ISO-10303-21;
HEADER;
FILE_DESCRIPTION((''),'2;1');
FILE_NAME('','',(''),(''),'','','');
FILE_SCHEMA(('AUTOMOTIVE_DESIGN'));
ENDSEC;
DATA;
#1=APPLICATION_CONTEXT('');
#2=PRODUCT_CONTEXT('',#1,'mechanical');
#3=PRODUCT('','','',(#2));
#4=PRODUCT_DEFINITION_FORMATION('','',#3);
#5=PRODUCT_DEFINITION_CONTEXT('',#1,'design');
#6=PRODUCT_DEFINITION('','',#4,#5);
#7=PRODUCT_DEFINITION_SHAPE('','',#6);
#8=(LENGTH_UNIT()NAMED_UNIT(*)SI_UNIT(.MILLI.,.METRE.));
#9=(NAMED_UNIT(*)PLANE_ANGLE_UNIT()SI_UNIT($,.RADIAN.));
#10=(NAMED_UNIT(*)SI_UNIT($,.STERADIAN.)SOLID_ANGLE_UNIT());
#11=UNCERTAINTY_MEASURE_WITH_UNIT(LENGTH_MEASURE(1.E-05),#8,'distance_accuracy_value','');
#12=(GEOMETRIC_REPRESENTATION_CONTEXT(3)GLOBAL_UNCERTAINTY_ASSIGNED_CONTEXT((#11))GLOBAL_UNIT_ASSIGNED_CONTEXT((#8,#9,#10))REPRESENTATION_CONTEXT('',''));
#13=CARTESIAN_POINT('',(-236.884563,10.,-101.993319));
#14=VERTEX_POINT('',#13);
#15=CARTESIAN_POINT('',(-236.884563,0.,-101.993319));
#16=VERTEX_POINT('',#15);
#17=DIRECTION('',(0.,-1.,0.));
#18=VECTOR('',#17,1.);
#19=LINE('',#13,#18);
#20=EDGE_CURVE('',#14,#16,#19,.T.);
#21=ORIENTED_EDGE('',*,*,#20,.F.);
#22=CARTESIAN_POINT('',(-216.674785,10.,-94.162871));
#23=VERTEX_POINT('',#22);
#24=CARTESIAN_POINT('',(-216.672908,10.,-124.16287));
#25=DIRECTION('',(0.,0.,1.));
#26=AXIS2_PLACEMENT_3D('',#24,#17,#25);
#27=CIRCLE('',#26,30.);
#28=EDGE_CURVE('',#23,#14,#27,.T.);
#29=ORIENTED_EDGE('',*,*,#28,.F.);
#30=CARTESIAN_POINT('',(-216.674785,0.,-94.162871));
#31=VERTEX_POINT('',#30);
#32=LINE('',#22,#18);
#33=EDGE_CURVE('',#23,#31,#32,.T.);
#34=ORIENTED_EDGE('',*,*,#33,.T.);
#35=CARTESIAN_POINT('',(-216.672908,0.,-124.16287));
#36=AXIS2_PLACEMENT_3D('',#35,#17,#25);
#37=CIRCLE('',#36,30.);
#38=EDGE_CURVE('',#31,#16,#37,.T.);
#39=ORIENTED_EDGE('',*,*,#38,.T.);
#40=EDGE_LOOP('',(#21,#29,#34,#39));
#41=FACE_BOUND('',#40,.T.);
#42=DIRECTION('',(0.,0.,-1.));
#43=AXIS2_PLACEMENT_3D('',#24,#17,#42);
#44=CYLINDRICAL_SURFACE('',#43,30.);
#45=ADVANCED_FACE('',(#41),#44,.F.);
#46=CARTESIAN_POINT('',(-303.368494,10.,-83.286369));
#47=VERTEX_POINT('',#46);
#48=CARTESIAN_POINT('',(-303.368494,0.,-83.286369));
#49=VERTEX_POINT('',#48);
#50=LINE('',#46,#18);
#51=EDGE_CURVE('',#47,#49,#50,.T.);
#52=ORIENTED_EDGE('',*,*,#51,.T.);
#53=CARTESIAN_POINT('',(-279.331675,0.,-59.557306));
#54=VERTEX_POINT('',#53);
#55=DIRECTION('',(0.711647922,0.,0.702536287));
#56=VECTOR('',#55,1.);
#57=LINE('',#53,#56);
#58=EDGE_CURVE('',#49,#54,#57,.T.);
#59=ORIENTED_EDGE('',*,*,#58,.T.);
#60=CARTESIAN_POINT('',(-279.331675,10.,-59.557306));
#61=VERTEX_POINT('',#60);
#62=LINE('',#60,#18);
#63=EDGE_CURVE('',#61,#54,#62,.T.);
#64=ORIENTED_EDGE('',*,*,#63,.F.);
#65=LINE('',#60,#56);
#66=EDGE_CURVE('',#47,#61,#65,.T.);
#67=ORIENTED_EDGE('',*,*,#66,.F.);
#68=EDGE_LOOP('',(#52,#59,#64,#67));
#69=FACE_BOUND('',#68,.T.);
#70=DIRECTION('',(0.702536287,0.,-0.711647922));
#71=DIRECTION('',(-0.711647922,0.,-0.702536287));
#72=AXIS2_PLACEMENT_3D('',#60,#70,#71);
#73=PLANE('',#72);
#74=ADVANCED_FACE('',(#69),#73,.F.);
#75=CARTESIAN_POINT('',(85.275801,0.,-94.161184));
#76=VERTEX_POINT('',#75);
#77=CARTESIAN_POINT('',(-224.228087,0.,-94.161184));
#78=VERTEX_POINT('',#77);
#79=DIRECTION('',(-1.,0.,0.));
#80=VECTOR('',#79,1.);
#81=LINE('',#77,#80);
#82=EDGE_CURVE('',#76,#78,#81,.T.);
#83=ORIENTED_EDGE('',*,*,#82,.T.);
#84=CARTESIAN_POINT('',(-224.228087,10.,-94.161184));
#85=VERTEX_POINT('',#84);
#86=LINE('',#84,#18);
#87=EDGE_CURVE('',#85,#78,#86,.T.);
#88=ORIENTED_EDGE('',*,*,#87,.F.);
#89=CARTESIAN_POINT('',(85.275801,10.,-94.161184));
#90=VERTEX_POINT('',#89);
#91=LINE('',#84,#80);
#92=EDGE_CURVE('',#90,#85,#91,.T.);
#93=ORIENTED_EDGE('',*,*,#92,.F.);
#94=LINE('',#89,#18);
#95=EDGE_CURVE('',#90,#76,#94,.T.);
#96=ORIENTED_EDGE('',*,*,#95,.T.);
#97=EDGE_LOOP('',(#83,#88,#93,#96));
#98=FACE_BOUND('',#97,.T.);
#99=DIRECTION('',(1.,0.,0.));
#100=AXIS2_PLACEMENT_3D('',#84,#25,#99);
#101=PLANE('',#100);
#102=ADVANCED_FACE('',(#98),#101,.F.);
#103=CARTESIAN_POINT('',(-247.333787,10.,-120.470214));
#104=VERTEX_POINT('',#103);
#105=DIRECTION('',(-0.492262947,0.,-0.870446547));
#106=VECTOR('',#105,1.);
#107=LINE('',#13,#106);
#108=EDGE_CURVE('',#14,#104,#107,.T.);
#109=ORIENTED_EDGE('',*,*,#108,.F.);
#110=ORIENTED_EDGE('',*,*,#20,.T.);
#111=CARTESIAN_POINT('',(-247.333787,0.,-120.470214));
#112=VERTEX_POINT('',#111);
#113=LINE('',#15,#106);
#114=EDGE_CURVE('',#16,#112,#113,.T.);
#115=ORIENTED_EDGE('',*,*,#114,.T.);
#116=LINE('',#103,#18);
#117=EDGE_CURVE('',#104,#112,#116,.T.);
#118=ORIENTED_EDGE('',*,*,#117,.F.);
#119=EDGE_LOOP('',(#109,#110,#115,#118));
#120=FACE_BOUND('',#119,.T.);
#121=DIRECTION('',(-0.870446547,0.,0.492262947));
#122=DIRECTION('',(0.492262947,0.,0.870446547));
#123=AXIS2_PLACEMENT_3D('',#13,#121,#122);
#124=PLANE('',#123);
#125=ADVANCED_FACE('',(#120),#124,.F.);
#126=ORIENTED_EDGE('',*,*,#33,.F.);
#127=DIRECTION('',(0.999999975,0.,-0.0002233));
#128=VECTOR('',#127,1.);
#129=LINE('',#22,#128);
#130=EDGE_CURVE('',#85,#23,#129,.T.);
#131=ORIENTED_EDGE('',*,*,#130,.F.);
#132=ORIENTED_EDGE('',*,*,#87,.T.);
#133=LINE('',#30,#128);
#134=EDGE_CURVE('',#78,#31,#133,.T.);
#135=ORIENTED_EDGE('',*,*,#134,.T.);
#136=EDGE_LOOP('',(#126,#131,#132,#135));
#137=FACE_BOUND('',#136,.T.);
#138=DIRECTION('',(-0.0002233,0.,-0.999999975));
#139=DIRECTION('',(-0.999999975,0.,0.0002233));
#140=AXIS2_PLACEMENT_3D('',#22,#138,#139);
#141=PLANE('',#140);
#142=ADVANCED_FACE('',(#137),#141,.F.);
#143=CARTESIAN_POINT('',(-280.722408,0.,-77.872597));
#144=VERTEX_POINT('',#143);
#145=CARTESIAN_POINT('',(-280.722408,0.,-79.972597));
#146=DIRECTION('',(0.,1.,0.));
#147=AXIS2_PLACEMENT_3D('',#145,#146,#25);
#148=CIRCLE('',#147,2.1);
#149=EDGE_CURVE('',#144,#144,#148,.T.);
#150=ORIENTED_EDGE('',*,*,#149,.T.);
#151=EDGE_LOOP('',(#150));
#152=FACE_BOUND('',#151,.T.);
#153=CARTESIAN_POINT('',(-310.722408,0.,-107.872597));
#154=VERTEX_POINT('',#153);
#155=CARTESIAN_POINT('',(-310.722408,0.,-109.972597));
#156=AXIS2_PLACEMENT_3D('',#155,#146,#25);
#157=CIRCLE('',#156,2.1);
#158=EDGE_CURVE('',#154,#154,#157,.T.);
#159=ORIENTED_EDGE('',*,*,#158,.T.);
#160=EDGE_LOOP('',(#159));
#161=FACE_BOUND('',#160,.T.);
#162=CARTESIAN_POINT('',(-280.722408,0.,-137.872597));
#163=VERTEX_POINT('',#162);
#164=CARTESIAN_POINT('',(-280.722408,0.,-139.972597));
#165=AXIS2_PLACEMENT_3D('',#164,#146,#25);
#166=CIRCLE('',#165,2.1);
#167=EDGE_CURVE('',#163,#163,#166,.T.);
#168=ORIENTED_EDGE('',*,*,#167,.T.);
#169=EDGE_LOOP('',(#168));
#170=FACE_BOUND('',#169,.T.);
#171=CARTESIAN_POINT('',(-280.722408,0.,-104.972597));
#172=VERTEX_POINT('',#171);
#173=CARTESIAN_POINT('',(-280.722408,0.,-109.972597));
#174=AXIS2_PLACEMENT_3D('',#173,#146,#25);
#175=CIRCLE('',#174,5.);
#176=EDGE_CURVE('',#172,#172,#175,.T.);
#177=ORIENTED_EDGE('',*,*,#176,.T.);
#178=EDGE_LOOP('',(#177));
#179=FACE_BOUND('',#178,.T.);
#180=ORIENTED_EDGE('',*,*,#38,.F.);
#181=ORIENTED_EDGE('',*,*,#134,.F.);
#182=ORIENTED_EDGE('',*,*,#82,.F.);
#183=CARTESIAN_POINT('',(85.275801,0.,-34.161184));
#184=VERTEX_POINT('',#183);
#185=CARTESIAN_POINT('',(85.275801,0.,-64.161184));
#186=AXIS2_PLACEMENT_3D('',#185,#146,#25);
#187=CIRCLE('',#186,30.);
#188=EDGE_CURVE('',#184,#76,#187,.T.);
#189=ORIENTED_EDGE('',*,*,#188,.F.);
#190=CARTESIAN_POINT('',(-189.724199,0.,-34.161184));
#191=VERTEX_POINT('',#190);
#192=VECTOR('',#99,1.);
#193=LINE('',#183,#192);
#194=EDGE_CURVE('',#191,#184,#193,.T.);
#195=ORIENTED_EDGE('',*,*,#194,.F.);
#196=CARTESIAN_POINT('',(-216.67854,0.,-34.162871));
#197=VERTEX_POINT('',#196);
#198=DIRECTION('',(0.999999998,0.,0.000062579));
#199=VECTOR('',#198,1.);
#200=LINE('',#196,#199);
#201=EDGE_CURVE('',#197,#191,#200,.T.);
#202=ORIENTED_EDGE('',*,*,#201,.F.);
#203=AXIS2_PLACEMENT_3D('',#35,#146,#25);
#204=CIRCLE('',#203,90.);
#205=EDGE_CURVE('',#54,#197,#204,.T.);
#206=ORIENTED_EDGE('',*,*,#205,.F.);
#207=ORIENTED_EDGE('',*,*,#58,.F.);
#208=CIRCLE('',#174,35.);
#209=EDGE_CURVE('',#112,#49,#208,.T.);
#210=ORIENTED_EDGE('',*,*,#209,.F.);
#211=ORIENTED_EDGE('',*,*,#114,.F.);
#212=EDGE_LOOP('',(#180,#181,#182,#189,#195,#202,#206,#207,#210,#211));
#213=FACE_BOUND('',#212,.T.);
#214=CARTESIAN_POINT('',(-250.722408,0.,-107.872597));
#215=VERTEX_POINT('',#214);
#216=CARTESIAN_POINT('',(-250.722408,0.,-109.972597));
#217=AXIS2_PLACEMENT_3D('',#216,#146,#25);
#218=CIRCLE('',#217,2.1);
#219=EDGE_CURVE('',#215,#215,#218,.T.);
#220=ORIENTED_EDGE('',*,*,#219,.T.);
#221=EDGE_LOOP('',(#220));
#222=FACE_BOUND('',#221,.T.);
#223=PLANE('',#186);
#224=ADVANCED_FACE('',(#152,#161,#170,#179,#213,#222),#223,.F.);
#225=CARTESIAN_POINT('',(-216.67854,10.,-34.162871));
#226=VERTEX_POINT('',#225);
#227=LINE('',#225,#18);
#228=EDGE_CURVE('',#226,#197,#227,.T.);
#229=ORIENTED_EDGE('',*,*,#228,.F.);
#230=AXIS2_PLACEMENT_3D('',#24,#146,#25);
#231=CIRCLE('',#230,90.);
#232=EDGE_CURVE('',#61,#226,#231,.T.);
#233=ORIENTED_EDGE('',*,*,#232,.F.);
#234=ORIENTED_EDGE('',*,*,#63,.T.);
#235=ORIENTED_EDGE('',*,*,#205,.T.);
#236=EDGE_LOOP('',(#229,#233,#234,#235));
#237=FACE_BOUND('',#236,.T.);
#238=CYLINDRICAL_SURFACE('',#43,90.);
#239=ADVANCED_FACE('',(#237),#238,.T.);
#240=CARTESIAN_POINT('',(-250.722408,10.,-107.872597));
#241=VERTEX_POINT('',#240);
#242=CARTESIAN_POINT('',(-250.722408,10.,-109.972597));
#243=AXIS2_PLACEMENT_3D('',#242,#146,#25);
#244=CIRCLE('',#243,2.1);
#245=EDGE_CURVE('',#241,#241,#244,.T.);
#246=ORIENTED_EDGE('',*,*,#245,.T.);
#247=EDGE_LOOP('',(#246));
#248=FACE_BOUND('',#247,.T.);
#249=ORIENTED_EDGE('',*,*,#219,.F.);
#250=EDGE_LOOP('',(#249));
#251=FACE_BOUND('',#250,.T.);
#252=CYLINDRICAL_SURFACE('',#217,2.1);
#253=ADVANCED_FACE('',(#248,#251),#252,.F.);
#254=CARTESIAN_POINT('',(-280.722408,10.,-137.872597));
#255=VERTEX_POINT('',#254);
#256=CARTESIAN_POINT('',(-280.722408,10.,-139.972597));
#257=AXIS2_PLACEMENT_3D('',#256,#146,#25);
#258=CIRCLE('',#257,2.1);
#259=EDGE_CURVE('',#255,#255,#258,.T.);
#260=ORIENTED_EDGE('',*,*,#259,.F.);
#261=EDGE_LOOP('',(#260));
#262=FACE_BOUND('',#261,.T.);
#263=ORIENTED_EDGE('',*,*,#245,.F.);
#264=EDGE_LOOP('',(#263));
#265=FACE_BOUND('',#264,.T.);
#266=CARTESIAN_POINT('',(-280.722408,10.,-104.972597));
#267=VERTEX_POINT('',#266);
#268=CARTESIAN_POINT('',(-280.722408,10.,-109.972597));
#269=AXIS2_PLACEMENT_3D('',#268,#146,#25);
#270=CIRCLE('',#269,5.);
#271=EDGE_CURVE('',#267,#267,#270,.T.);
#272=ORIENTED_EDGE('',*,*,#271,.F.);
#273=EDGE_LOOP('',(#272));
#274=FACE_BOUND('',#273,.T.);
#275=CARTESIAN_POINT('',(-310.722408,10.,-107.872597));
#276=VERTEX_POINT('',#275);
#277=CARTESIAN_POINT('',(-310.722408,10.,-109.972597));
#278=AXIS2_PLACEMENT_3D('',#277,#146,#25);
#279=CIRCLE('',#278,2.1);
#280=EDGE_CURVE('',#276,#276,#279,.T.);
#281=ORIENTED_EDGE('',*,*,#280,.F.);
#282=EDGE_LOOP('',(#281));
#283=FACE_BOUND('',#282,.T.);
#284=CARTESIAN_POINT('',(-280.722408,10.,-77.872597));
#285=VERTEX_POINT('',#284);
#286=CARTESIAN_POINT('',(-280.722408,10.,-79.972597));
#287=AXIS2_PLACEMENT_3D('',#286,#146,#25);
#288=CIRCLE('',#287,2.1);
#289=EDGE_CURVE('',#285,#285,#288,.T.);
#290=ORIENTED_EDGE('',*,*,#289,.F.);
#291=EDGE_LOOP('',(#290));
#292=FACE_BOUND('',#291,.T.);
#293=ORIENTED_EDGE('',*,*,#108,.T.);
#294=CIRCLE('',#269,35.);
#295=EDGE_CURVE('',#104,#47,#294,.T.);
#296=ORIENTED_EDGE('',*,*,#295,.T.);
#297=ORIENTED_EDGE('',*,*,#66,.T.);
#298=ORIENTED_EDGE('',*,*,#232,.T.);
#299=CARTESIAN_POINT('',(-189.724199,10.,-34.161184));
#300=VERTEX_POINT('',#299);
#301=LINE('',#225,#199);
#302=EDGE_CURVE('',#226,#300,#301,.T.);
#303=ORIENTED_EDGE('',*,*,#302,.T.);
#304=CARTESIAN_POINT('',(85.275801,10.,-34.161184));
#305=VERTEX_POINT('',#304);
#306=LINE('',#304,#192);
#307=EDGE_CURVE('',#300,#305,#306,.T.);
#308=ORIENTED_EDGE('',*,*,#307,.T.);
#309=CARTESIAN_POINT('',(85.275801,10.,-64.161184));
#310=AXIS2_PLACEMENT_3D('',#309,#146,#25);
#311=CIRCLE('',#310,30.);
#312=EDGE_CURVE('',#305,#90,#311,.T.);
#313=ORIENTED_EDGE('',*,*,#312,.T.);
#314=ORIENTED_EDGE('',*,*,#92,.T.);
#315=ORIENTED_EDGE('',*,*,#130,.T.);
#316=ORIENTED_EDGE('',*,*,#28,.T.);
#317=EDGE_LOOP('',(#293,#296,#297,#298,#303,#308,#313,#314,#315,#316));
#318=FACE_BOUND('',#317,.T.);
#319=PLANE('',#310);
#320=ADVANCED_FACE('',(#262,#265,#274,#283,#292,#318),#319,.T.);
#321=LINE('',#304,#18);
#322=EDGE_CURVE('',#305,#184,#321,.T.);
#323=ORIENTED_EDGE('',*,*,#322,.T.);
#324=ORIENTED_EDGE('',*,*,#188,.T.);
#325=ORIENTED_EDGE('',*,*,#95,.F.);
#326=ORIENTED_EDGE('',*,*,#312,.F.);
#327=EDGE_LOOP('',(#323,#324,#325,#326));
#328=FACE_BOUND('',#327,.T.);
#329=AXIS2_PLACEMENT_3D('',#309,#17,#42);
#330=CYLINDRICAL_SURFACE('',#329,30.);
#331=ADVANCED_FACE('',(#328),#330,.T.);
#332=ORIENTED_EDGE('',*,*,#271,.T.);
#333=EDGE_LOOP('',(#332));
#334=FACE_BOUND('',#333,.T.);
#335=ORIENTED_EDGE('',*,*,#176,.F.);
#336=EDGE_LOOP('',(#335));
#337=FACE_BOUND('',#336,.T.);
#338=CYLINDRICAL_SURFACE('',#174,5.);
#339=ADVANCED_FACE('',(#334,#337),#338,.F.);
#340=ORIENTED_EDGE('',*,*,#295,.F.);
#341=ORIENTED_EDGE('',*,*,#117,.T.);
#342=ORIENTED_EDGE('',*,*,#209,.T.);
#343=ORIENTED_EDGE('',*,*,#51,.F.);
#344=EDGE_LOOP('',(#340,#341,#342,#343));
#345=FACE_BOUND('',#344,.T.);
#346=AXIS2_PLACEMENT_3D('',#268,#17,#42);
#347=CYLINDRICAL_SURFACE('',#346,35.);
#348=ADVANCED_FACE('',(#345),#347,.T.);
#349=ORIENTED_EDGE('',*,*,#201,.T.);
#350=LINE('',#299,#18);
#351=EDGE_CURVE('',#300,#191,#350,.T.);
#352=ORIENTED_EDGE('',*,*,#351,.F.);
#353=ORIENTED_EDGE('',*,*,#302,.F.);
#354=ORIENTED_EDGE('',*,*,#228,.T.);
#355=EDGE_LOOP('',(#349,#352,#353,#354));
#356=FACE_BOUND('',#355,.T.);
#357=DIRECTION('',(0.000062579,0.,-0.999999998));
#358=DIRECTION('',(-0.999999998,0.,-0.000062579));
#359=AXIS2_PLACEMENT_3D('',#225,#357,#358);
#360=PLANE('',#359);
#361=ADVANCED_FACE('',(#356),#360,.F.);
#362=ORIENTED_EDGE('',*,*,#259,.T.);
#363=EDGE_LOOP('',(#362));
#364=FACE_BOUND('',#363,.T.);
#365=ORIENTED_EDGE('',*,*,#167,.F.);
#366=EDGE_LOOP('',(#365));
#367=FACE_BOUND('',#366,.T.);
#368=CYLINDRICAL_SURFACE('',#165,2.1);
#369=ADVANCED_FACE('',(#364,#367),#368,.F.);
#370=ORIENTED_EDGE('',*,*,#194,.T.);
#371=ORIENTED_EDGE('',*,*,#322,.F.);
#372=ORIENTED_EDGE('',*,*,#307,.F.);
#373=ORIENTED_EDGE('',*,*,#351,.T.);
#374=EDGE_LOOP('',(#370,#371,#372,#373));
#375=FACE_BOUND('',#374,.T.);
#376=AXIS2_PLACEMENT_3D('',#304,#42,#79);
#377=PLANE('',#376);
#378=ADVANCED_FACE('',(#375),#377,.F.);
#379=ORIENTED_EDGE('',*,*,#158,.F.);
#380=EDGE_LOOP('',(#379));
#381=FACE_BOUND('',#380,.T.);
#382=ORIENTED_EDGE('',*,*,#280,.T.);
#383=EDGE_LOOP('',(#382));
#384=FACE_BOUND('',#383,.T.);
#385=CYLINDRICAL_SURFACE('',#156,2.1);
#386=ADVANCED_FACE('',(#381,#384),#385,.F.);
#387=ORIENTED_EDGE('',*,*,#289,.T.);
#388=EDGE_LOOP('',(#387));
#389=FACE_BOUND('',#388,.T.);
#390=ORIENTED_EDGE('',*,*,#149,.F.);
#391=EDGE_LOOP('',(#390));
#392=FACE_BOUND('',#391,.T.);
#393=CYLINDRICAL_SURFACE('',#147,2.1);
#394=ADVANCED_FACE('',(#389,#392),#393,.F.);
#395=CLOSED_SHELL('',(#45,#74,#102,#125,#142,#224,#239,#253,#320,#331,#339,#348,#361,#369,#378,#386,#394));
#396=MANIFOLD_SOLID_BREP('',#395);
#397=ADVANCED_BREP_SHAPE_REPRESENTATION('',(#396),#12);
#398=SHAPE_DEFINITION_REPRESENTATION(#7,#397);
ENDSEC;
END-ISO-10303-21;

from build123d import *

# Parameters (mm, degrees)
BOSS_EXTRUDE1_DEPTH = 10
SKETCH3_R           = 5
SKETCH3_R_2         = 2.1
CUT_EXTRUDE1_DEPTH  = 10


with BuildPart() as part:
    # Sketch2 → Boss-Extrude1 (new body)
    with BuildSketch(Plane(origin=(0, 0, 0), x_dir=(1, 0, 0), z_dir=(0, 1, 0))):
        with BuildLine():
            Line((-224.228087349, 94.161183877), (85.275800554, 94.161183877))
            ThreePointArc((85.275800554, 94.161183877), (115.275800554, 64.161183877), (85.275800554, 34.161183877))
            Line((85.275800554, 34.161183877), (-189.724199446, 34.161183877))
            Line((-189.724199446, 34.161183877), (-216.678540206, 34.162870649))
            ThreePointArc((-216.678540206, 34.162870649), (-250.480097378, 40.753794505), (-279.331674578, 59.557305814))
            Line((-279.331674578, 59.557305814), (-303.368494474, 83.28636858))
            ThreePointArc((-303.368494474, 83.28636858), (-300.074671731, 139.135756578), (-247.333786879, 120.470214177))
            Line((-247.333786879, 120.470214177), (-236.884563066, 101.993319193))
            ThreePointArc((-236.884563066, 101.993319193), (-227.511529016, 96.189234726), (-216.67478541, 94.162870531))
            Line((-216.67478541, 94.162870531), (-224.228087349, 94.161183877))
        make_face()
    extrude(amount=BOSS_EXTRUDE1_DEPTH)

    # Sketch3 → Cut-Extrude1 (cut)
    with BuildSketch(Plane(origin=(0, 10, 0), x_dir=(1, 0, 0), z_dir=(0, 1, 0))):
        with Locations(Location((-280.722408111, 109.972596722, 0), (0, 0, 270))):
            Circle(SKETCH3_R)
        with Locations(Location((-280.722408111, 139.972596722, 0), (0, 0, 270))):
            Circle(SKETCH3_R_2)
        with Locations(Location((-310.722408111, 109.972596722, 0), (0, 0, 270))):
            Circle(SKETCH3_R_2)
        with Locations(Location((-280.722408111, 79.972596722, 0), (0, 0, 270))):
            Circle(SKETCH3_R_2)
        with Locations(Location((-250.722408111, 109.972596722, 0), (0, 0, 270))):
            Circle(SKETCH3_R_2)
    extrude(amount=-CUT_EXTRUDE1_DEPTH, mode=Mode.SUBTRACT)


solid = part.part
